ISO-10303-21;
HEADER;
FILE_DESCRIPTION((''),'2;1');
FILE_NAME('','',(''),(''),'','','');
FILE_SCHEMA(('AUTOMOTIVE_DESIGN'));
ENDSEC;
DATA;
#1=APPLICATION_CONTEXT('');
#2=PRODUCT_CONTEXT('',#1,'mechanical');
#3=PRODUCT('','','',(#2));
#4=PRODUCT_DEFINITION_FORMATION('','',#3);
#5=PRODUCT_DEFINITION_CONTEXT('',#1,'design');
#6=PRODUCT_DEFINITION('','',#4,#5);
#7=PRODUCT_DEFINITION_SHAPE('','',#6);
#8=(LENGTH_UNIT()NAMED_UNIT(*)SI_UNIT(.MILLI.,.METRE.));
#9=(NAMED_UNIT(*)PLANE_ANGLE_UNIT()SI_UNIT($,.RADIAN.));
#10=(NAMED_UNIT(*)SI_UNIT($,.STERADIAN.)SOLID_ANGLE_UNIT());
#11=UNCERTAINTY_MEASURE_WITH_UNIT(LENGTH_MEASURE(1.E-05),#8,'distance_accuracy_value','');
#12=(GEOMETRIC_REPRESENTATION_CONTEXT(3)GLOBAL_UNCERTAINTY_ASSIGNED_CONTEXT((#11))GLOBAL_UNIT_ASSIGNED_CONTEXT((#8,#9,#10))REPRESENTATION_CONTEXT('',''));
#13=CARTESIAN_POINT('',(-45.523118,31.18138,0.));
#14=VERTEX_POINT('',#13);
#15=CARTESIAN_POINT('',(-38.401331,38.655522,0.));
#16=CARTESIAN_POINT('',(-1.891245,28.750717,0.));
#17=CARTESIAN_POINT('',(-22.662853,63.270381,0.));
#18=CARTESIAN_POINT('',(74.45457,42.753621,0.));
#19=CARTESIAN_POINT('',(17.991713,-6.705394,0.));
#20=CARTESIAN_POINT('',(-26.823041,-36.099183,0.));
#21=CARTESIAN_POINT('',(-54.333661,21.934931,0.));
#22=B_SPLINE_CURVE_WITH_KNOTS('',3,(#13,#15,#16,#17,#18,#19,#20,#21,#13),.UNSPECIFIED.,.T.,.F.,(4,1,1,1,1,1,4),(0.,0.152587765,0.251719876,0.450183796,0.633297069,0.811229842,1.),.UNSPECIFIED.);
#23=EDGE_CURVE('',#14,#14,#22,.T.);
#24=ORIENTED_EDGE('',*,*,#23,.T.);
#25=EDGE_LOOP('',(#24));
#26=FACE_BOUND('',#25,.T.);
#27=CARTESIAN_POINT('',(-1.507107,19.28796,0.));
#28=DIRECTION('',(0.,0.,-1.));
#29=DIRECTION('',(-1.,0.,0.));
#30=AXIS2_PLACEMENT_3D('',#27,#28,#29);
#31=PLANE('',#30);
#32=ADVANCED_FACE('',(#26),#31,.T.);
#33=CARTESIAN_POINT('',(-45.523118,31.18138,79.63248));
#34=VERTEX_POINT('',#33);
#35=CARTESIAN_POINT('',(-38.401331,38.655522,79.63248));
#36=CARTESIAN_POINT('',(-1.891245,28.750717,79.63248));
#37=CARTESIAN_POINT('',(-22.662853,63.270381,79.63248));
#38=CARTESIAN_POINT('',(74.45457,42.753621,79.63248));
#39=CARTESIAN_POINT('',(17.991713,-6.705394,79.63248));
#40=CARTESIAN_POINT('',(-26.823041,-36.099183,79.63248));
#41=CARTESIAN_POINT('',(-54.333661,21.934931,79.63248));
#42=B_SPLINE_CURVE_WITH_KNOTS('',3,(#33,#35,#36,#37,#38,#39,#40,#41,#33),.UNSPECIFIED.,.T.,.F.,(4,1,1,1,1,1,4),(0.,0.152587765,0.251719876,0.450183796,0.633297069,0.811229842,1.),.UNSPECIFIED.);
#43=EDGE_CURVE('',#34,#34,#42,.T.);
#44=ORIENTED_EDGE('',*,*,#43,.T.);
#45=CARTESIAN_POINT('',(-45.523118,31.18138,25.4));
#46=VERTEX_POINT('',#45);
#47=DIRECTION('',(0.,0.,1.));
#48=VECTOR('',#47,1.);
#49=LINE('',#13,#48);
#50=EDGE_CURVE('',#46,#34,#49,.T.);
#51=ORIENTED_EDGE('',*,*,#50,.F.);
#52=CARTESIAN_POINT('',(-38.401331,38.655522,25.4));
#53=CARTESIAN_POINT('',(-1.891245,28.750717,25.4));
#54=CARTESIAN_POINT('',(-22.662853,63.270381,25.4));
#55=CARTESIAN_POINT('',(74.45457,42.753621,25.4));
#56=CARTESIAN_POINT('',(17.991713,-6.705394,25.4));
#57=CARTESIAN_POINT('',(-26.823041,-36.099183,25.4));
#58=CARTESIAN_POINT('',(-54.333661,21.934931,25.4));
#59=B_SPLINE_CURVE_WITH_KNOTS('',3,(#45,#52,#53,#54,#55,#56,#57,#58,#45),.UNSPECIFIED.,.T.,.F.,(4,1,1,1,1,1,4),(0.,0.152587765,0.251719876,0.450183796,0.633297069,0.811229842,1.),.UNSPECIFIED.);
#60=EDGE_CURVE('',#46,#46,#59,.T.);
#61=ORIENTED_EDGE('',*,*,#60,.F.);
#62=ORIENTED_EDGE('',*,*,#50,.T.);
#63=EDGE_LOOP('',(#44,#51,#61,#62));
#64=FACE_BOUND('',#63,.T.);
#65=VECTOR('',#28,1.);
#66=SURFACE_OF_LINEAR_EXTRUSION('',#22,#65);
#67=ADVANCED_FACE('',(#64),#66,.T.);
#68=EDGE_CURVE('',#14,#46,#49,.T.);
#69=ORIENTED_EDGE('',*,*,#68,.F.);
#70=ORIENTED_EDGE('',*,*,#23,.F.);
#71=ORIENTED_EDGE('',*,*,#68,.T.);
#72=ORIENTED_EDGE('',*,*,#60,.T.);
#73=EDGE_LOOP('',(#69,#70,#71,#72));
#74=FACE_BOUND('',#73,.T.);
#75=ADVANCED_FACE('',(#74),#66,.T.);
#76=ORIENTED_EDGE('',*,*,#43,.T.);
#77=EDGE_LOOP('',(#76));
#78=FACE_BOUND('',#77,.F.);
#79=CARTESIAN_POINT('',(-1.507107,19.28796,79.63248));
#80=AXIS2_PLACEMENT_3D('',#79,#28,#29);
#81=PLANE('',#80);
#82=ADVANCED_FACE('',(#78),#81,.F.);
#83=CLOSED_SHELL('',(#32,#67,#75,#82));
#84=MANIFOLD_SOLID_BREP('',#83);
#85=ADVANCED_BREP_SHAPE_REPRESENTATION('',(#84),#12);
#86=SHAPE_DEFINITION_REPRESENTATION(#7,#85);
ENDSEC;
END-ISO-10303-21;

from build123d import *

# Parameters (mm, degrees)
F1_DEPTH = 25.4
F2_DEPTH = 79.63248


with BuildPart() as f1:
    # F0 (on Top) → F1 (new body)
    with BuildSketch(Plane.XY):
        with BuildLine():
            add(Edge.make_bspline(
                [(-45.5231182277, 31.1813801527), (-38.4013306025, 38.6555224792), (-1.891245003, 28.7507173519), (-22.6628533983, 63.2703807769), (74.454570325, 42.7536206323), (17.9917126671, -6.7053943387), (-26.8230405484, -36.0991829191), (-54.333660593, 21.9349309356), (-45.5231182277, 31.1813801527)],
                knots=[0, 0, 0, 0, 0.1525877655, 0.2517198755, 0.4501837962, 0.6332970694, 0.8112298424, 1, 1, 1, 1], degree=3))
        make_face()
    extrude(amount=F1_DEPTH)

    # F0 (on Top) → F2 (join)
    with BuildSketch(Plane.XY):
        with BuildLine():
            add(Edge.make_bspline(
                [(-45.5231182277, 31.1813801527), (-38.4013306025, 38.6555224792), (-1.891245003, 28.7507173519), (-22.6628533983, 63.2703807769), (74.454570325, 42.7536206323), (17.9917126671, -6.7053943387), (-26.8230405484, -36.0991829191), (-54.333660593, 21.9349309356), (-45.5231182277, 31.1813801527)],
                knots=[0, 0, 0, 0, 0.1525877655, 0.2517198755, 0.4501837962, 0.6332970694, 0.8112298424, 1, 1, 1, 1], degree=3))
        make_face()
    extrude(amount=F2_DEPTH)


solid = f1.part
